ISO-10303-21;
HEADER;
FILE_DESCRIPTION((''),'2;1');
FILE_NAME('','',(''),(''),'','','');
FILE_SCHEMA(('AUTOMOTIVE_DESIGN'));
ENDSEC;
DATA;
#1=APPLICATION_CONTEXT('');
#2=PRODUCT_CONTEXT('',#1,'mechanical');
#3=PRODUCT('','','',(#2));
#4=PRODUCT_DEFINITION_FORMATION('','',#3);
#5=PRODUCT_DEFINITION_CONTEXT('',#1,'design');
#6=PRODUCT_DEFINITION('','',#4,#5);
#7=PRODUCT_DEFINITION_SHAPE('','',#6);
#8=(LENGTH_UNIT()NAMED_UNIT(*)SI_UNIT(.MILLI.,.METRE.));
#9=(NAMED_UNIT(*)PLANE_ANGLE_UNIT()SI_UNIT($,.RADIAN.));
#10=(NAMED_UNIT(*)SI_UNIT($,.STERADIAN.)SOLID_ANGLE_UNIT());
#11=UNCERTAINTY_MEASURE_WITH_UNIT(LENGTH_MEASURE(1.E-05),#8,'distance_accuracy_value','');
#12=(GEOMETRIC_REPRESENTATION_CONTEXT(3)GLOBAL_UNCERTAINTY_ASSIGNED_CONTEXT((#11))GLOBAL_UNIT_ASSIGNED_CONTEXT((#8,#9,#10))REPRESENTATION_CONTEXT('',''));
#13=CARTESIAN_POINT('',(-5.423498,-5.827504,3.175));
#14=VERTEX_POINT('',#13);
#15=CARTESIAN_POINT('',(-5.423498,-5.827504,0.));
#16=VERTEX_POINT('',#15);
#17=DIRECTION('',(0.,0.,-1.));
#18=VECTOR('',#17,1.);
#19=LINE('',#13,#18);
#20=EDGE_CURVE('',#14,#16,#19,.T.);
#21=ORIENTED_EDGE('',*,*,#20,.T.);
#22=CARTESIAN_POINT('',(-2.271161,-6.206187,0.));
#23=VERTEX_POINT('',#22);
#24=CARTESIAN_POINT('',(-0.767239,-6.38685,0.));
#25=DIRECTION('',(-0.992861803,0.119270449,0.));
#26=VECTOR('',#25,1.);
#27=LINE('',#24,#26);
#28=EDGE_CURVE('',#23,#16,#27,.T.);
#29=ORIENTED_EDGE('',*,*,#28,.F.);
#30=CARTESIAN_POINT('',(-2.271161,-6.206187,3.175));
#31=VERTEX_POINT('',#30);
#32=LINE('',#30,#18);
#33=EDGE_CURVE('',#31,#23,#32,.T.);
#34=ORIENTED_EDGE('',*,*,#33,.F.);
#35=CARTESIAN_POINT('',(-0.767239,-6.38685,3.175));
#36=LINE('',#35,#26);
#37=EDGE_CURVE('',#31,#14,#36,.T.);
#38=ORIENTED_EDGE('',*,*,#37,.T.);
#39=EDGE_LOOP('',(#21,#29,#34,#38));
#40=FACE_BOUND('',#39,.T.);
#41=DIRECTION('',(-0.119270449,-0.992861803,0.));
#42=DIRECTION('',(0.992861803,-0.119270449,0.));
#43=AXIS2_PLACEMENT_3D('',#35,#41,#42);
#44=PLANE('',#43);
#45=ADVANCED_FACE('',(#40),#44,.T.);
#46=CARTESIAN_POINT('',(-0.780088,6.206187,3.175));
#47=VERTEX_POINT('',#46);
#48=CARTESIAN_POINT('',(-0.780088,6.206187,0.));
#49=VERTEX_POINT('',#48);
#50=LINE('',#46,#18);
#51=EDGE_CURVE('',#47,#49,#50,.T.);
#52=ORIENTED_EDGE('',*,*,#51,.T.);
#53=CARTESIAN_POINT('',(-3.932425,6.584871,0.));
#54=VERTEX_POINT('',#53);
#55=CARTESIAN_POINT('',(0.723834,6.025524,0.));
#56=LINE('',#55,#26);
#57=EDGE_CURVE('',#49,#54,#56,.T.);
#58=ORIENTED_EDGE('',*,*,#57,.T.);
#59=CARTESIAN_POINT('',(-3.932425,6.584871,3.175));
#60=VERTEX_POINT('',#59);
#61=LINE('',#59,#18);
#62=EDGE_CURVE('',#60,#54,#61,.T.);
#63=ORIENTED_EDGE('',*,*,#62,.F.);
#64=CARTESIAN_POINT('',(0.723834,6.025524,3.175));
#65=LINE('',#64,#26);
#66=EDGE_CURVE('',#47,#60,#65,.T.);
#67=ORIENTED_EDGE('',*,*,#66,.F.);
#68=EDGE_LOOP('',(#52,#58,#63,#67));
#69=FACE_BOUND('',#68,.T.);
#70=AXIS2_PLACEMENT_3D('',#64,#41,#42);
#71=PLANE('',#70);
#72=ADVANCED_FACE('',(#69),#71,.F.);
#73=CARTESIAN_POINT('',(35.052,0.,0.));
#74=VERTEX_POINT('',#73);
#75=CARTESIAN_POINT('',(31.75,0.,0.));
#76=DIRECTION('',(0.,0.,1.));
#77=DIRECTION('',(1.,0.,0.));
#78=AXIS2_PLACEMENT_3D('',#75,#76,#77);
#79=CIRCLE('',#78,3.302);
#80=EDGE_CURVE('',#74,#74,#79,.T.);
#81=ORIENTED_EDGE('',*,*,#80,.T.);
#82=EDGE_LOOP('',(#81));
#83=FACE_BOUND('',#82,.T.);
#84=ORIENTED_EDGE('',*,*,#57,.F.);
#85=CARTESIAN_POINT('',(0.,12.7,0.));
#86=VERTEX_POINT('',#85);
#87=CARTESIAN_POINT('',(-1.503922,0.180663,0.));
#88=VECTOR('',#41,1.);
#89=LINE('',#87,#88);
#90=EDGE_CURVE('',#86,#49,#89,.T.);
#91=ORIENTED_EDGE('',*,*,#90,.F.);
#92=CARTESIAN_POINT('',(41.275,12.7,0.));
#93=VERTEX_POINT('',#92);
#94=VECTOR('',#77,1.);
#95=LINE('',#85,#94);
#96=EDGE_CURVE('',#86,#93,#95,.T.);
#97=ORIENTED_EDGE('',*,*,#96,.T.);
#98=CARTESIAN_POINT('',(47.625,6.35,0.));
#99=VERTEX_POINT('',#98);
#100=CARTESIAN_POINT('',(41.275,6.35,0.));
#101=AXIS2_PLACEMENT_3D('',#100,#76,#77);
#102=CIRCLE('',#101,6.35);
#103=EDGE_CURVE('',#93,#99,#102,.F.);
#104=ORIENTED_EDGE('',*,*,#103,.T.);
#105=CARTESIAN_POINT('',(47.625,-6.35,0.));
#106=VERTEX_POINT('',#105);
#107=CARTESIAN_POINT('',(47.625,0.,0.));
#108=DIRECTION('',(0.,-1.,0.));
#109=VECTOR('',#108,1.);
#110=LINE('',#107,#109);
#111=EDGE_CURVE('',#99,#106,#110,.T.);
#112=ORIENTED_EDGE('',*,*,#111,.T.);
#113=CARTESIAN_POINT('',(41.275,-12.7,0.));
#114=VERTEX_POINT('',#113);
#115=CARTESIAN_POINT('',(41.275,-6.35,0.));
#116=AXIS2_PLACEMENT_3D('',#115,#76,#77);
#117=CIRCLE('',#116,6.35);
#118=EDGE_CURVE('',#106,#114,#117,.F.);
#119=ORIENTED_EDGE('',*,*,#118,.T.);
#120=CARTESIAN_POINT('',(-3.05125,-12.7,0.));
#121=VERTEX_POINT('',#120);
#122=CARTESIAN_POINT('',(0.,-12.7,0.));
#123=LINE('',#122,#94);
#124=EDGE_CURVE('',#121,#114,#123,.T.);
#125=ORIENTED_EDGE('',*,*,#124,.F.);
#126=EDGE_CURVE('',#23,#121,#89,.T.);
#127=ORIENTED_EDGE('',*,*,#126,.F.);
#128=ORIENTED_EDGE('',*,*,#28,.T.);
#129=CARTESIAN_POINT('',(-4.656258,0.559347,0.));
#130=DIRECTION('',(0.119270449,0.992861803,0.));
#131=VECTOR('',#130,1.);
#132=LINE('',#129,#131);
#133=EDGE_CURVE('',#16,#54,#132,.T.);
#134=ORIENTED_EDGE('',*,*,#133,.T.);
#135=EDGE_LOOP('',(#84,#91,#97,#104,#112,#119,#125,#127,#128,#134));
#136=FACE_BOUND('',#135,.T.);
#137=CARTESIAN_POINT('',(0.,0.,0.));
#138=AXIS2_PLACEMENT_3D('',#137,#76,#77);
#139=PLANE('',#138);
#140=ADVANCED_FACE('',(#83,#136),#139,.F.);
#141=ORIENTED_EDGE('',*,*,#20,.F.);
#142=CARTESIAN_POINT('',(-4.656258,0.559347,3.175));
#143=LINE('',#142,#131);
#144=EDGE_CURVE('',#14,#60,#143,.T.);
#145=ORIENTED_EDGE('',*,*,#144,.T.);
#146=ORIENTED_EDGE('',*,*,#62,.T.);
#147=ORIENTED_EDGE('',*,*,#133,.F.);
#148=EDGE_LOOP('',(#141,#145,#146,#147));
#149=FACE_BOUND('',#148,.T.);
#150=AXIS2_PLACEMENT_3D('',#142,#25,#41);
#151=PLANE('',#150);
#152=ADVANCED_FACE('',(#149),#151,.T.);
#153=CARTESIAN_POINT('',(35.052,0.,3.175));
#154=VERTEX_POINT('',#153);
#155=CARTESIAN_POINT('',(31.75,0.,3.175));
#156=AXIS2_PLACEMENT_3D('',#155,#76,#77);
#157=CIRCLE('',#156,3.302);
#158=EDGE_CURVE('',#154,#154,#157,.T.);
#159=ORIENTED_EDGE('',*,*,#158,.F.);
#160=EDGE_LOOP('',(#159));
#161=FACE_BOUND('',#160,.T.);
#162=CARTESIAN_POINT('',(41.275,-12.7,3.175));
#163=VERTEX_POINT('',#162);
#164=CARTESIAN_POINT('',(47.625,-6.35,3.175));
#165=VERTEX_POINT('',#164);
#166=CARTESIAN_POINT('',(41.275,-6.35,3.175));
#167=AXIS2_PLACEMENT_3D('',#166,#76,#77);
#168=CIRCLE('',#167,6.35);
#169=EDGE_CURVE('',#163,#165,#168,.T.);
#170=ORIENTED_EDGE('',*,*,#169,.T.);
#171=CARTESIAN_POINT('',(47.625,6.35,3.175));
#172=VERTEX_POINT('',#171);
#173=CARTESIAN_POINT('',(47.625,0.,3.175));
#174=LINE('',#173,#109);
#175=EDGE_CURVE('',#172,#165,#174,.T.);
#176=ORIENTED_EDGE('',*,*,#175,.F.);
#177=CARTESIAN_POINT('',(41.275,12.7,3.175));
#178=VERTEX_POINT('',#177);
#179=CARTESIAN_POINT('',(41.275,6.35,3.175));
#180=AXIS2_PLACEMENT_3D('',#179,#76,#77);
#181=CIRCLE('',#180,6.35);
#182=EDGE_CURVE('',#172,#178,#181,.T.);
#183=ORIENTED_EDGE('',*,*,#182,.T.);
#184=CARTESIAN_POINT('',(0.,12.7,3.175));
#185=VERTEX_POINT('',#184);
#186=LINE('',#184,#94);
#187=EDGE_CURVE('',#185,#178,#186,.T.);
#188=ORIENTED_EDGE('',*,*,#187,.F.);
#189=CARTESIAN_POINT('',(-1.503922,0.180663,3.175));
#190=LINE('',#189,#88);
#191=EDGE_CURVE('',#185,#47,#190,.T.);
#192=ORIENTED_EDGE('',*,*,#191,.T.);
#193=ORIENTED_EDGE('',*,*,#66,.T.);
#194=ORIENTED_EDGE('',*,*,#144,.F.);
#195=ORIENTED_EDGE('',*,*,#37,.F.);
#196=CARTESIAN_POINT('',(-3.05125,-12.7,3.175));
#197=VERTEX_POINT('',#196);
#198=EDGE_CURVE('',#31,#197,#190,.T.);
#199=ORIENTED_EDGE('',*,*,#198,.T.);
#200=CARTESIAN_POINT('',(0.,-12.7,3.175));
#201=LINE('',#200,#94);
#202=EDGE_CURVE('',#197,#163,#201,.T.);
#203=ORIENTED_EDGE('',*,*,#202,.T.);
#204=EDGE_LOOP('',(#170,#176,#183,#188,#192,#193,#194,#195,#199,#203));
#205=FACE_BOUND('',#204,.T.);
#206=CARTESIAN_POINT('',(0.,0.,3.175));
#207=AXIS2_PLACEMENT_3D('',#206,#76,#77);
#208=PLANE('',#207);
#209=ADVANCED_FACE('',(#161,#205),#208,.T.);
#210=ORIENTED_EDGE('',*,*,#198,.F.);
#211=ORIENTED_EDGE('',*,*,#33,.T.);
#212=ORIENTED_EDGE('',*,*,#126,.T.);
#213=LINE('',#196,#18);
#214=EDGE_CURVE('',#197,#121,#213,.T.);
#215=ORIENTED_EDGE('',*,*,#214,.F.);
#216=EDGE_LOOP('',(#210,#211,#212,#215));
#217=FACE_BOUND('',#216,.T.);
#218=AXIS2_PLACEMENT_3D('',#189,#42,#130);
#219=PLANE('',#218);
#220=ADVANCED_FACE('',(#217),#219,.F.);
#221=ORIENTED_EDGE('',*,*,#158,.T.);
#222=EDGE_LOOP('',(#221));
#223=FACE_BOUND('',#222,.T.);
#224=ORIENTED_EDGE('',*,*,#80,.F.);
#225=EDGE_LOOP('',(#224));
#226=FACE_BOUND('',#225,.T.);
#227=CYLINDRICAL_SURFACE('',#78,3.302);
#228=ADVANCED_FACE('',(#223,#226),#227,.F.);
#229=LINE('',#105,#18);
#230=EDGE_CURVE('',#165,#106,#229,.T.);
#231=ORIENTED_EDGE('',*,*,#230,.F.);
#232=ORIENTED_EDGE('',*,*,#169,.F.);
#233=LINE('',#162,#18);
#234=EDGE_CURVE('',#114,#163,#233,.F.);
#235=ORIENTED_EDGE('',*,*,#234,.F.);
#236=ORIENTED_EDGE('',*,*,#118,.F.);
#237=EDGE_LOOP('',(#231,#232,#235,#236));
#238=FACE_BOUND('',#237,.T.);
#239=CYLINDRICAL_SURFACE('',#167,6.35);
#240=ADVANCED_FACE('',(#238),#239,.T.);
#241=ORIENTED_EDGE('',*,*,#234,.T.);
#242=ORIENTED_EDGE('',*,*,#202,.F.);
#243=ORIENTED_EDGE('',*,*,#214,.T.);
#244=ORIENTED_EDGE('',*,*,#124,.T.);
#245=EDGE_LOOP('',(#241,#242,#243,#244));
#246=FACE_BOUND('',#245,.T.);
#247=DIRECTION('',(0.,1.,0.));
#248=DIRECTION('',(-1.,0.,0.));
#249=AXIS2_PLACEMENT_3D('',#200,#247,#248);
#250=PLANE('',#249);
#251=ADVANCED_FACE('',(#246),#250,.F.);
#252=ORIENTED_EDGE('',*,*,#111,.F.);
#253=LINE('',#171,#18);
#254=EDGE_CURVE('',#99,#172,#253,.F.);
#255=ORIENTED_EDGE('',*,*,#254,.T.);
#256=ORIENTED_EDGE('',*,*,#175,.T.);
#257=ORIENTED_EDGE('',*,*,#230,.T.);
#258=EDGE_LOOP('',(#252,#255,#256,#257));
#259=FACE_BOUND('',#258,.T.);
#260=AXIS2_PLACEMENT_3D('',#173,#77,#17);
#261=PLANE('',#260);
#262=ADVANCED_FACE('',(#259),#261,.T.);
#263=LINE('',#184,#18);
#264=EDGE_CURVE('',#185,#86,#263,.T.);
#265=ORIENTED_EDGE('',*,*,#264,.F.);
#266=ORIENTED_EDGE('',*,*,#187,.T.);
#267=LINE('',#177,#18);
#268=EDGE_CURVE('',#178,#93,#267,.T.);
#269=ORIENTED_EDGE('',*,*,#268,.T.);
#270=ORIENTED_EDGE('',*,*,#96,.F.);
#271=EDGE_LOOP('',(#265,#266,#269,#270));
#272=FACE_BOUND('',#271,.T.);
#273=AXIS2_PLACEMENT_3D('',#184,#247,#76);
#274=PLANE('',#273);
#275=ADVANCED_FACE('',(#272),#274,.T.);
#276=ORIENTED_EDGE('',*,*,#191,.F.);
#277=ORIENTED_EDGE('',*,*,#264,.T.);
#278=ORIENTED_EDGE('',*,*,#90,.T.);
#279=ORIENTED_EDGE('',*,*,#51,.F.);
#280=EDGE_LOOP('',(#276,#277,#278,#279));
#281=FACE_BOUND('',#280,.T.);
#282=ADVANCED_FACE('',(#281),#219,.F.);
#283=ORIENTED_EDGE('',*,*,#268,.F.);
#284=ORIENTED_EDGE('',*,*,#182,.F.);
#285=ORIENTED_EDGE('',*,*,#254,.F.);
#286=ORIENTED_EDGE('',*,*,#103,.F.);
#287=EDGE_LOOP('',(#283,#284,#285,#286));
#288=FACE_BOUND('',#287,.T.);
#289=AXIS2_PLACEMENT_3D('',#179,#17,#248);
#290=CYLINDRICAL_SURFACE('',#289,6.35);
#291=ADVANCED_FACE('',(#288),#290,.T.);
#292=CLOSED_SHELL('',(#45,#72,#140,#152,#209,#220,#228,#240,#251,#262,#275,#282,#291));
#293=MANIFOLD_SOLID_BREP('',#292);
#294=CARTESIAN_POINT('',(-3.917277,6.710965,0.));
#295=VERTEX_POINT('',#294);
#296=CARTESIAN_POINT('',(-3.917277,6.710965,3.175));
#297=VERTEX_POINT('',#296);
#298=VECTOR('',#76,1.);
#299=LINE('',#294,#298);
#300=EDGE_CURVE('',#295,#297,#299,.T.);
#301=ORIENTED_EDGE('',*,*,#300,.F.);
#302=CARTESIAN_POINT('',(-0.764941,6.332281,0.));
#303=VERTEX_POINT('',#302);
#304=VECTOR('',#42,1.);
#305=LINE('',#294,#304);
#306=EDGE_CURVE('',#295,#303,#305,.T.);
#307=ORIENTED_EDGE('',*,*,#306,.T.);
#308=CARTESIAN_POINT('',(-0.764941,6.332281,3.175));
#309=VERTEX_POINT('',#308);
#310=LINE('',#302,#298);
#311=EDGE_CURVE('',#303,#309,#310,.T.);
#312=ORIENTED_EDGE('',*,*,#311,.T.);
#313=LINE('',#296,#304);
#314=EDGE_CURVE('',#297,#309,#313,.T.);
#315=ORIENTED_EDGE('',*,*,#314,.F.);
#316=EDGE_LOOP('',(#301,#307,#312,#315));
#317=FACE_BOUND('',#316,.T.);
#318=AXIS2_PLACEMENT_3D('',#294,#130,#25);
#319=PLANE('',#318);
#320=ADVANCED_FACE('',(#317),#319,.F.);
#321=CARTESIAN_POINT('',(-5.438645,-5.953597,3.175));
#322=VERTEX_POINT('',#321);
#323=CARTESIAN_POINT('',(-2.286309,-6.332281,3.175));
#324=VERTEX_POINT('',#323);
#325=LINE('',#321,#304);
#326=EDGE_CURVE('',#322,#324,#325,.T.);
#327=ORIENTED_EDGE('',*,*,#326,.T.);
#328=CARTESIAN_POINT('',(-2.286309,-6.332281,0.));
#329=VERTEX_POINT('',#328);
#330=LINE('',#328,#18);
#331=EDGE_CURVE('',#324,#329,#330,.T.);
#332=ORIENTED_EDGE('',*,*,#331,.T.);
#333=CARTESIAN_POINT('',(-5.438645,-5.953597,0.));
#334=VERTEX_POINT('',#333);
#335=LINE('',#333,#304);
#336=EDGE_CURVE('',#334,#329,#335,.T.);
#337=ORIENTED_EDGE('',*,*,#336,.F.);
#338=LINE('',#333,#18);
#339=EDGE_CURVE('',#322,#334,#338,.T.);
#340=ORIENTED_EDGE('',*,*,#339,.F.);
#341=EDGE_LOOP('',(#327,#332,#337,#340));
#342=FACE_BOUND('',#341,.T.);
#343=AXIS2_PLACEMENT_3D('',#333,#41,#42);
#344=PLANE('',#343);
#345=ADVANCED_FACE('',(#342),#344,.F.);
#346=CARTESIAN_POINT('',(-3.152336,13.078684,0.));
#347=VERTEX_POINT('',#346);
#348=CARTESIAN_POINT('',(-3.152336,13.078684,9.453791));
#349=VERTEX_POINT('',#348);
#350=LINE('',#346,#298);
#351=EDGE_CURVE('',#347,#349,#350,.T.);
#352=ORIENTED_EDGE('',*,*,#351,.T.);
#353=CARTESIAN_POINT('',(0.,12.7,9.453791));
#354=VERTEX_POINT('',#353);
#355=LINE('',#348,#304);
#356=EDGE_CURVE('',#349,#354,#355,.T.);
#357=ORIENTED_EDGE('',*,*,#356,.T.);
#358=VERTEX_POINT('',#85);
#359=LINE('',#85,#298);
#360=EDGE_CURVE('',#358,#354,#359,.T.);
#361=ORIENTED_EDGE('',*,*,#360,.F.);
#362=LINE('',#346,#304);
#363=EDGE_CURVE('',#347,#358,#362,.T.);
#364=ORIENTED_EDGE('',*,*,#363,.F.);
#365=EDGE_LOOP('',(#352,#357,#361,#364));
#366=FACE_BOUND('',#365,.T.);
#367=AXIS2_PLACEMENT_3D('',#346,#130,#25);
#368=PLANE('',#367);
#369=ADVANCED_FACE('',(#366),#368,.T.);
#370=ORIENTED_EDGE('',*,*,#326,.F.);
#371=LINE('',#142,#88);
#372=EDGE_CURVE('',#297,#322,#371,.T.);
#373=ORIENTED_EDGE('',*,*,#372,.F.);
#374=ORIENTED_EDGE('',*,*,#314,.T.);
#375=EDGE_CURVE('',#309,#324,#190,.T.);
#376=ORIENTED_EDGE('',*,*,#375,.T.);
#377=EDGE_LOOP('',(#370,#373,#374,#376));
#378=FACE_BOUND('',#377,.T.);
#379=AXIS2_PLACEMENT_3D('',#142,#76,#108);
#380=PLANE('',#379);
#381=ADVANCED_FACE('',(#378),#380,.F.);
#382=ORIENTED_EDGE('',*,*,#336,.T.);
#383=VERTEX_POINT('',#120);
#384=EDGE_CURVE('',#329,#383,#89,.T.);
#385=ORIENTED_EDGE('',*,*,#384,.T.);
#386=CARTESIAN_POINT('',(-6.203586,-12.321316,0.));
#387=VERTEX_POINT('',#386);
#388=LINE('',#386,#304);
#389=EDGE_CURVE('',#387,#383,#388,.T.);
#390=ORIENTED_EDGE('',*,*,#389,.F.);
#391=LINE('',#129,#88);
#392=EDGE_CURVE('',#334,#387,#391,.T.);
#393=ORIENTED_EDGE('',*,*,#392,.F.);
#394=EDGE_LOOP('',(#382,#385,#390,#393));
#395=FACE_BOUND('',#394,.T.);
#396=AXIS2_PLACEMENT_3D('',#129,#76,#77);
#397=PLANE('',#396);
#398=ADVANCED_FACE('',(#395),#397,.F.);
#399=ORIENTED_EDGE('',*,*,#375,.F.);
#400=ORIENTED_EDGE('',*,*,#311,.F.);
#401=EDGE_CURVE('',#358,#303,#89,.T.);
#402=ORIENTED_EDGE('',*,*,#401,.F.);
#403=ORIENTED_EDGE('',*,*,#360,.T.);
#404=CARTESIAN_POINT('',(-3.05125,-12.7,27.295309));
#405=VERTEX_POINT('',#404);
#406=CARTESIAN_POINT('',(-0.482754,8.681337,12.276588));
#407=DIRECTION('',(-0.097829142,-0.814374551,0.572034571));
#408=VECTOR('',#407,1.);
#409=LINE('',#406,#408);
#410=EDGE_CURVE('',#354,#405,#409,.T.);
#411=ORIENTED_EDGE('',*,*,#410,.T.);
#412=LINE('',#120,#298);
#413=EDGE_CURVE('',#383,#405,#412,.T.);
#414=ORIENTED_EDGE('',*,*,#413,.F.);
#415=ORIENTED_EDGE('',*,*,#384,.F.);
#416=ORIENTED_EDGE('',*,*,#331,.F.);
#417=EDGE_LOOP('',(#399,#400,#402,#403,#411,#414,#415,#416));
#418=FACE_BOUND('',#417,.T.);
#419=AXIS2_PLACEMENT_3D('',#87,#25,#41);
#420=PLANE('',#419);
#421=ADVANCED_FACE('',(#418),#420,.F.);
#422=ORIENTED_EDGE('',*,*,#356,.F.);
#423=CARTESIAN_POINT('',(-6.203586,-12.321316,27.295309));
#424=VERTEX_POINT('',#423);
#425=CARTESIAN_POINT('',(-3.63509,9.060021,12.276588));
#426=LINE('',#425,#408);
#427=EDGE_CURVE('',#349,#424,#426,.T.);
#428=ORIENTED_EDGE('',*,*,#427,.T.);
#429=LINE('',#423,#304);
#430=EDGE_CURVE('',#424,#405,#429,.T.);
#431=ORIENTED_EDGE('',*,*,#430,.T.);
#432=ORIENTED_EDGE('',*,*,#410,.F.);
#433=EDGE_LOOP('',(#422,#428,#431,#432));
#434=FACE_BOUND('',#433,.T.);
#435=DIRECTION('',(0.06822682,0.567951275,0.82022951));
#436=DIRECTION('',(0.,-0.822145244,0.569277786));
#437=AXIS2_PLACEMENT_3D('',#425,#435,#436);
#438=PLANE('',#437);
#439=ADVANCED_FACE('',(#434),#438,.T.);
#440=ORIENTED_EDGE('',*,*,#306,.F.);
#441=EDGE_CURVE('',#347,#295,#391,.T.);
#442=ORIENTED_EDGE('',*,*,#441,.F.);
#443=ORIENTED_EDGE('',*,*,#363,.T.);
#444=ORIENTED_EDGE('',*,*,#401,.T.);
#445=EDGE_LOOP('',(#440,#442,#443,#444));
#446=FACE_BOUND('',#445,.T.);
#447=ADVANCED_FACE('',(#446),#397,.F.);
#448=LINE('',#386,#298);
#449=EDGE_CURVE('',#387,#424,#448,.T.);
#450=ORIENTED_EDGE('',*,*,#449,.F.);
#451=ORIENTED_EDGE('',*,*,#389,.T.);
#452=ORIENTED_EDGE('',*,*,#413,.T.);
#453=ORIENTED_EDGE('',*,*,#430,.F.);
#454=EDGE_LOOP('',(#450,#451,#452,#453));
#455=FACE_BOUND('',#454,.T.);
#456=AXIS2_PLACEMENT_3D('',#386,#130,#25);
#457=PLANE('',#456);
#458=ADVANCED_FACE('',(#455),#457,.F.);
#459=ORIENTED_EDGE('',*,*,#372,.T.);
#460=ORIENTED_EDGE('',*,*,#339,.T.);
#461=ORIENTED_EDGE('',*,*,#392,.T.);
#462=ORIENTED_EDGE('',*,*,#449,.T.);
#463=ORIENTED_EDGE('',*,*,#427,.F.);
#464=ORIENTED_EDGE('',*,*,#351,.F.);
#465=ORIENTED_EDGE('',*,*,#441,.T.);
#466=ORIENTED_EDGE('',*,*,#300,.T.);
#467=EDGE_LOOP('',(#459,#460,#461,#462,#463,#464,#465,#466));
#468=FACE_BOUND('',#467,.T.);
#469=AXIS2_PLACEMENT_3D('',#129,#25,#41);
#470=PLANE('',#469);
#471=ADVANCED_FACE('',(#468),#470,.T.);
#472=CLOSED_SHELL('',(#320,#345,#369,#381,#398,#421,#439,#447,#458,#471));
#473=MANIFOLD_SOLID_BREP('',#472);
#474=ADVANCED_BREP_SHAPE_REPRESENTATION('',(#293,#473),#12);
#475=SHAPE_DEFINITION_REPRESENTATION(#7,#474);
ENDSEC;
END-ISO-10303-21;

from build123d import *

# Parameters (mm, degrees)
BOSS_EXTRUDE1_DEPTH     = 3.175
CUT_EXTRUDE1_DEPTH      = 50.391408666
CUT_EXTRUDE1_DEPTH_BACK = 50.391408666
SKETCH3_R               = 3.302
SKETCH2_W               = 3.175
SKETCH2_H               = 6.4135
BOSS_EXTRUDE2_DEPTH     = 3.175
FILLET1_R               = 6.35


with BuildPart() as part:
    # Sketch1 → Boss-Extrude1 (new body)
    with BuildSketch(Plane.XY):
        Polygon((0, 12.7), (-3.051249826, -12.7), (0, -12.7), (47.625, -12.7), (47.625, 12.7), align=None)
        Polygon((-2.271161455, -6.206187377), (-0.780088372, 6.206187377), (-3.932424596, 6.584871053), (-5.42349768, -5.827503701), align=None)
    extrude(amount=BOSS_EXTRUDE1_DEPTH)

    # Sketch3 → Cut-Extrude1 (cut, two sides: drawn at the far end of the back side and taken through both)
    with BuildSketch(Plane.XY.offset(3.175).offset(-CUT_EXTRUDE1_DEPTH_BACK)):
        with Locations((31.75, 0)):
            Circle(SKETCH3_R)
    extrude(amount=CUT_EXTRUDE1_DEPTH + CUT_EXTRUDE1_DEPTH_BACK, mode=Mode.SUBTRACT)

    # Fillet1
    fillet1_edges = [part.edges().sort_by_distance(p)[0] for p in [
        (47.625, 12.7, 1.5875),
        (47.625, -12.7, 1.5875),
    ]]
    fillet(fillet1_edges, radius=FILLET1_R)


with BuildPart() as body_2:
    # Sketch2 → Boss-Extrude2 (new body)
    with BuildSketch(Plane(origin=(-1.503922228, 0.180663088, 0), x_dir=(0, 0, 1), z_dir=(-0.9928618030717177, 0.11927044898539502, 0))):
        with Locations((1.5875, -9.766518836)):
            Rectangle(SKETCH2_W, SKETCH2_H)
        Polygon((0, 12.609344899), (0, 6.195844899), (3.175, 6.195844899), (3.175, -6.432768836), (3.175, -6.559768836), (3.175, -12.973268836), (27.295308913, -12.973268836), (9.453791039, 12.609344899), align=None)
    extrude(amount=BOSS_EXTRUDE2_DEPTH)


solid = Compound([part.part, body_2.part])
